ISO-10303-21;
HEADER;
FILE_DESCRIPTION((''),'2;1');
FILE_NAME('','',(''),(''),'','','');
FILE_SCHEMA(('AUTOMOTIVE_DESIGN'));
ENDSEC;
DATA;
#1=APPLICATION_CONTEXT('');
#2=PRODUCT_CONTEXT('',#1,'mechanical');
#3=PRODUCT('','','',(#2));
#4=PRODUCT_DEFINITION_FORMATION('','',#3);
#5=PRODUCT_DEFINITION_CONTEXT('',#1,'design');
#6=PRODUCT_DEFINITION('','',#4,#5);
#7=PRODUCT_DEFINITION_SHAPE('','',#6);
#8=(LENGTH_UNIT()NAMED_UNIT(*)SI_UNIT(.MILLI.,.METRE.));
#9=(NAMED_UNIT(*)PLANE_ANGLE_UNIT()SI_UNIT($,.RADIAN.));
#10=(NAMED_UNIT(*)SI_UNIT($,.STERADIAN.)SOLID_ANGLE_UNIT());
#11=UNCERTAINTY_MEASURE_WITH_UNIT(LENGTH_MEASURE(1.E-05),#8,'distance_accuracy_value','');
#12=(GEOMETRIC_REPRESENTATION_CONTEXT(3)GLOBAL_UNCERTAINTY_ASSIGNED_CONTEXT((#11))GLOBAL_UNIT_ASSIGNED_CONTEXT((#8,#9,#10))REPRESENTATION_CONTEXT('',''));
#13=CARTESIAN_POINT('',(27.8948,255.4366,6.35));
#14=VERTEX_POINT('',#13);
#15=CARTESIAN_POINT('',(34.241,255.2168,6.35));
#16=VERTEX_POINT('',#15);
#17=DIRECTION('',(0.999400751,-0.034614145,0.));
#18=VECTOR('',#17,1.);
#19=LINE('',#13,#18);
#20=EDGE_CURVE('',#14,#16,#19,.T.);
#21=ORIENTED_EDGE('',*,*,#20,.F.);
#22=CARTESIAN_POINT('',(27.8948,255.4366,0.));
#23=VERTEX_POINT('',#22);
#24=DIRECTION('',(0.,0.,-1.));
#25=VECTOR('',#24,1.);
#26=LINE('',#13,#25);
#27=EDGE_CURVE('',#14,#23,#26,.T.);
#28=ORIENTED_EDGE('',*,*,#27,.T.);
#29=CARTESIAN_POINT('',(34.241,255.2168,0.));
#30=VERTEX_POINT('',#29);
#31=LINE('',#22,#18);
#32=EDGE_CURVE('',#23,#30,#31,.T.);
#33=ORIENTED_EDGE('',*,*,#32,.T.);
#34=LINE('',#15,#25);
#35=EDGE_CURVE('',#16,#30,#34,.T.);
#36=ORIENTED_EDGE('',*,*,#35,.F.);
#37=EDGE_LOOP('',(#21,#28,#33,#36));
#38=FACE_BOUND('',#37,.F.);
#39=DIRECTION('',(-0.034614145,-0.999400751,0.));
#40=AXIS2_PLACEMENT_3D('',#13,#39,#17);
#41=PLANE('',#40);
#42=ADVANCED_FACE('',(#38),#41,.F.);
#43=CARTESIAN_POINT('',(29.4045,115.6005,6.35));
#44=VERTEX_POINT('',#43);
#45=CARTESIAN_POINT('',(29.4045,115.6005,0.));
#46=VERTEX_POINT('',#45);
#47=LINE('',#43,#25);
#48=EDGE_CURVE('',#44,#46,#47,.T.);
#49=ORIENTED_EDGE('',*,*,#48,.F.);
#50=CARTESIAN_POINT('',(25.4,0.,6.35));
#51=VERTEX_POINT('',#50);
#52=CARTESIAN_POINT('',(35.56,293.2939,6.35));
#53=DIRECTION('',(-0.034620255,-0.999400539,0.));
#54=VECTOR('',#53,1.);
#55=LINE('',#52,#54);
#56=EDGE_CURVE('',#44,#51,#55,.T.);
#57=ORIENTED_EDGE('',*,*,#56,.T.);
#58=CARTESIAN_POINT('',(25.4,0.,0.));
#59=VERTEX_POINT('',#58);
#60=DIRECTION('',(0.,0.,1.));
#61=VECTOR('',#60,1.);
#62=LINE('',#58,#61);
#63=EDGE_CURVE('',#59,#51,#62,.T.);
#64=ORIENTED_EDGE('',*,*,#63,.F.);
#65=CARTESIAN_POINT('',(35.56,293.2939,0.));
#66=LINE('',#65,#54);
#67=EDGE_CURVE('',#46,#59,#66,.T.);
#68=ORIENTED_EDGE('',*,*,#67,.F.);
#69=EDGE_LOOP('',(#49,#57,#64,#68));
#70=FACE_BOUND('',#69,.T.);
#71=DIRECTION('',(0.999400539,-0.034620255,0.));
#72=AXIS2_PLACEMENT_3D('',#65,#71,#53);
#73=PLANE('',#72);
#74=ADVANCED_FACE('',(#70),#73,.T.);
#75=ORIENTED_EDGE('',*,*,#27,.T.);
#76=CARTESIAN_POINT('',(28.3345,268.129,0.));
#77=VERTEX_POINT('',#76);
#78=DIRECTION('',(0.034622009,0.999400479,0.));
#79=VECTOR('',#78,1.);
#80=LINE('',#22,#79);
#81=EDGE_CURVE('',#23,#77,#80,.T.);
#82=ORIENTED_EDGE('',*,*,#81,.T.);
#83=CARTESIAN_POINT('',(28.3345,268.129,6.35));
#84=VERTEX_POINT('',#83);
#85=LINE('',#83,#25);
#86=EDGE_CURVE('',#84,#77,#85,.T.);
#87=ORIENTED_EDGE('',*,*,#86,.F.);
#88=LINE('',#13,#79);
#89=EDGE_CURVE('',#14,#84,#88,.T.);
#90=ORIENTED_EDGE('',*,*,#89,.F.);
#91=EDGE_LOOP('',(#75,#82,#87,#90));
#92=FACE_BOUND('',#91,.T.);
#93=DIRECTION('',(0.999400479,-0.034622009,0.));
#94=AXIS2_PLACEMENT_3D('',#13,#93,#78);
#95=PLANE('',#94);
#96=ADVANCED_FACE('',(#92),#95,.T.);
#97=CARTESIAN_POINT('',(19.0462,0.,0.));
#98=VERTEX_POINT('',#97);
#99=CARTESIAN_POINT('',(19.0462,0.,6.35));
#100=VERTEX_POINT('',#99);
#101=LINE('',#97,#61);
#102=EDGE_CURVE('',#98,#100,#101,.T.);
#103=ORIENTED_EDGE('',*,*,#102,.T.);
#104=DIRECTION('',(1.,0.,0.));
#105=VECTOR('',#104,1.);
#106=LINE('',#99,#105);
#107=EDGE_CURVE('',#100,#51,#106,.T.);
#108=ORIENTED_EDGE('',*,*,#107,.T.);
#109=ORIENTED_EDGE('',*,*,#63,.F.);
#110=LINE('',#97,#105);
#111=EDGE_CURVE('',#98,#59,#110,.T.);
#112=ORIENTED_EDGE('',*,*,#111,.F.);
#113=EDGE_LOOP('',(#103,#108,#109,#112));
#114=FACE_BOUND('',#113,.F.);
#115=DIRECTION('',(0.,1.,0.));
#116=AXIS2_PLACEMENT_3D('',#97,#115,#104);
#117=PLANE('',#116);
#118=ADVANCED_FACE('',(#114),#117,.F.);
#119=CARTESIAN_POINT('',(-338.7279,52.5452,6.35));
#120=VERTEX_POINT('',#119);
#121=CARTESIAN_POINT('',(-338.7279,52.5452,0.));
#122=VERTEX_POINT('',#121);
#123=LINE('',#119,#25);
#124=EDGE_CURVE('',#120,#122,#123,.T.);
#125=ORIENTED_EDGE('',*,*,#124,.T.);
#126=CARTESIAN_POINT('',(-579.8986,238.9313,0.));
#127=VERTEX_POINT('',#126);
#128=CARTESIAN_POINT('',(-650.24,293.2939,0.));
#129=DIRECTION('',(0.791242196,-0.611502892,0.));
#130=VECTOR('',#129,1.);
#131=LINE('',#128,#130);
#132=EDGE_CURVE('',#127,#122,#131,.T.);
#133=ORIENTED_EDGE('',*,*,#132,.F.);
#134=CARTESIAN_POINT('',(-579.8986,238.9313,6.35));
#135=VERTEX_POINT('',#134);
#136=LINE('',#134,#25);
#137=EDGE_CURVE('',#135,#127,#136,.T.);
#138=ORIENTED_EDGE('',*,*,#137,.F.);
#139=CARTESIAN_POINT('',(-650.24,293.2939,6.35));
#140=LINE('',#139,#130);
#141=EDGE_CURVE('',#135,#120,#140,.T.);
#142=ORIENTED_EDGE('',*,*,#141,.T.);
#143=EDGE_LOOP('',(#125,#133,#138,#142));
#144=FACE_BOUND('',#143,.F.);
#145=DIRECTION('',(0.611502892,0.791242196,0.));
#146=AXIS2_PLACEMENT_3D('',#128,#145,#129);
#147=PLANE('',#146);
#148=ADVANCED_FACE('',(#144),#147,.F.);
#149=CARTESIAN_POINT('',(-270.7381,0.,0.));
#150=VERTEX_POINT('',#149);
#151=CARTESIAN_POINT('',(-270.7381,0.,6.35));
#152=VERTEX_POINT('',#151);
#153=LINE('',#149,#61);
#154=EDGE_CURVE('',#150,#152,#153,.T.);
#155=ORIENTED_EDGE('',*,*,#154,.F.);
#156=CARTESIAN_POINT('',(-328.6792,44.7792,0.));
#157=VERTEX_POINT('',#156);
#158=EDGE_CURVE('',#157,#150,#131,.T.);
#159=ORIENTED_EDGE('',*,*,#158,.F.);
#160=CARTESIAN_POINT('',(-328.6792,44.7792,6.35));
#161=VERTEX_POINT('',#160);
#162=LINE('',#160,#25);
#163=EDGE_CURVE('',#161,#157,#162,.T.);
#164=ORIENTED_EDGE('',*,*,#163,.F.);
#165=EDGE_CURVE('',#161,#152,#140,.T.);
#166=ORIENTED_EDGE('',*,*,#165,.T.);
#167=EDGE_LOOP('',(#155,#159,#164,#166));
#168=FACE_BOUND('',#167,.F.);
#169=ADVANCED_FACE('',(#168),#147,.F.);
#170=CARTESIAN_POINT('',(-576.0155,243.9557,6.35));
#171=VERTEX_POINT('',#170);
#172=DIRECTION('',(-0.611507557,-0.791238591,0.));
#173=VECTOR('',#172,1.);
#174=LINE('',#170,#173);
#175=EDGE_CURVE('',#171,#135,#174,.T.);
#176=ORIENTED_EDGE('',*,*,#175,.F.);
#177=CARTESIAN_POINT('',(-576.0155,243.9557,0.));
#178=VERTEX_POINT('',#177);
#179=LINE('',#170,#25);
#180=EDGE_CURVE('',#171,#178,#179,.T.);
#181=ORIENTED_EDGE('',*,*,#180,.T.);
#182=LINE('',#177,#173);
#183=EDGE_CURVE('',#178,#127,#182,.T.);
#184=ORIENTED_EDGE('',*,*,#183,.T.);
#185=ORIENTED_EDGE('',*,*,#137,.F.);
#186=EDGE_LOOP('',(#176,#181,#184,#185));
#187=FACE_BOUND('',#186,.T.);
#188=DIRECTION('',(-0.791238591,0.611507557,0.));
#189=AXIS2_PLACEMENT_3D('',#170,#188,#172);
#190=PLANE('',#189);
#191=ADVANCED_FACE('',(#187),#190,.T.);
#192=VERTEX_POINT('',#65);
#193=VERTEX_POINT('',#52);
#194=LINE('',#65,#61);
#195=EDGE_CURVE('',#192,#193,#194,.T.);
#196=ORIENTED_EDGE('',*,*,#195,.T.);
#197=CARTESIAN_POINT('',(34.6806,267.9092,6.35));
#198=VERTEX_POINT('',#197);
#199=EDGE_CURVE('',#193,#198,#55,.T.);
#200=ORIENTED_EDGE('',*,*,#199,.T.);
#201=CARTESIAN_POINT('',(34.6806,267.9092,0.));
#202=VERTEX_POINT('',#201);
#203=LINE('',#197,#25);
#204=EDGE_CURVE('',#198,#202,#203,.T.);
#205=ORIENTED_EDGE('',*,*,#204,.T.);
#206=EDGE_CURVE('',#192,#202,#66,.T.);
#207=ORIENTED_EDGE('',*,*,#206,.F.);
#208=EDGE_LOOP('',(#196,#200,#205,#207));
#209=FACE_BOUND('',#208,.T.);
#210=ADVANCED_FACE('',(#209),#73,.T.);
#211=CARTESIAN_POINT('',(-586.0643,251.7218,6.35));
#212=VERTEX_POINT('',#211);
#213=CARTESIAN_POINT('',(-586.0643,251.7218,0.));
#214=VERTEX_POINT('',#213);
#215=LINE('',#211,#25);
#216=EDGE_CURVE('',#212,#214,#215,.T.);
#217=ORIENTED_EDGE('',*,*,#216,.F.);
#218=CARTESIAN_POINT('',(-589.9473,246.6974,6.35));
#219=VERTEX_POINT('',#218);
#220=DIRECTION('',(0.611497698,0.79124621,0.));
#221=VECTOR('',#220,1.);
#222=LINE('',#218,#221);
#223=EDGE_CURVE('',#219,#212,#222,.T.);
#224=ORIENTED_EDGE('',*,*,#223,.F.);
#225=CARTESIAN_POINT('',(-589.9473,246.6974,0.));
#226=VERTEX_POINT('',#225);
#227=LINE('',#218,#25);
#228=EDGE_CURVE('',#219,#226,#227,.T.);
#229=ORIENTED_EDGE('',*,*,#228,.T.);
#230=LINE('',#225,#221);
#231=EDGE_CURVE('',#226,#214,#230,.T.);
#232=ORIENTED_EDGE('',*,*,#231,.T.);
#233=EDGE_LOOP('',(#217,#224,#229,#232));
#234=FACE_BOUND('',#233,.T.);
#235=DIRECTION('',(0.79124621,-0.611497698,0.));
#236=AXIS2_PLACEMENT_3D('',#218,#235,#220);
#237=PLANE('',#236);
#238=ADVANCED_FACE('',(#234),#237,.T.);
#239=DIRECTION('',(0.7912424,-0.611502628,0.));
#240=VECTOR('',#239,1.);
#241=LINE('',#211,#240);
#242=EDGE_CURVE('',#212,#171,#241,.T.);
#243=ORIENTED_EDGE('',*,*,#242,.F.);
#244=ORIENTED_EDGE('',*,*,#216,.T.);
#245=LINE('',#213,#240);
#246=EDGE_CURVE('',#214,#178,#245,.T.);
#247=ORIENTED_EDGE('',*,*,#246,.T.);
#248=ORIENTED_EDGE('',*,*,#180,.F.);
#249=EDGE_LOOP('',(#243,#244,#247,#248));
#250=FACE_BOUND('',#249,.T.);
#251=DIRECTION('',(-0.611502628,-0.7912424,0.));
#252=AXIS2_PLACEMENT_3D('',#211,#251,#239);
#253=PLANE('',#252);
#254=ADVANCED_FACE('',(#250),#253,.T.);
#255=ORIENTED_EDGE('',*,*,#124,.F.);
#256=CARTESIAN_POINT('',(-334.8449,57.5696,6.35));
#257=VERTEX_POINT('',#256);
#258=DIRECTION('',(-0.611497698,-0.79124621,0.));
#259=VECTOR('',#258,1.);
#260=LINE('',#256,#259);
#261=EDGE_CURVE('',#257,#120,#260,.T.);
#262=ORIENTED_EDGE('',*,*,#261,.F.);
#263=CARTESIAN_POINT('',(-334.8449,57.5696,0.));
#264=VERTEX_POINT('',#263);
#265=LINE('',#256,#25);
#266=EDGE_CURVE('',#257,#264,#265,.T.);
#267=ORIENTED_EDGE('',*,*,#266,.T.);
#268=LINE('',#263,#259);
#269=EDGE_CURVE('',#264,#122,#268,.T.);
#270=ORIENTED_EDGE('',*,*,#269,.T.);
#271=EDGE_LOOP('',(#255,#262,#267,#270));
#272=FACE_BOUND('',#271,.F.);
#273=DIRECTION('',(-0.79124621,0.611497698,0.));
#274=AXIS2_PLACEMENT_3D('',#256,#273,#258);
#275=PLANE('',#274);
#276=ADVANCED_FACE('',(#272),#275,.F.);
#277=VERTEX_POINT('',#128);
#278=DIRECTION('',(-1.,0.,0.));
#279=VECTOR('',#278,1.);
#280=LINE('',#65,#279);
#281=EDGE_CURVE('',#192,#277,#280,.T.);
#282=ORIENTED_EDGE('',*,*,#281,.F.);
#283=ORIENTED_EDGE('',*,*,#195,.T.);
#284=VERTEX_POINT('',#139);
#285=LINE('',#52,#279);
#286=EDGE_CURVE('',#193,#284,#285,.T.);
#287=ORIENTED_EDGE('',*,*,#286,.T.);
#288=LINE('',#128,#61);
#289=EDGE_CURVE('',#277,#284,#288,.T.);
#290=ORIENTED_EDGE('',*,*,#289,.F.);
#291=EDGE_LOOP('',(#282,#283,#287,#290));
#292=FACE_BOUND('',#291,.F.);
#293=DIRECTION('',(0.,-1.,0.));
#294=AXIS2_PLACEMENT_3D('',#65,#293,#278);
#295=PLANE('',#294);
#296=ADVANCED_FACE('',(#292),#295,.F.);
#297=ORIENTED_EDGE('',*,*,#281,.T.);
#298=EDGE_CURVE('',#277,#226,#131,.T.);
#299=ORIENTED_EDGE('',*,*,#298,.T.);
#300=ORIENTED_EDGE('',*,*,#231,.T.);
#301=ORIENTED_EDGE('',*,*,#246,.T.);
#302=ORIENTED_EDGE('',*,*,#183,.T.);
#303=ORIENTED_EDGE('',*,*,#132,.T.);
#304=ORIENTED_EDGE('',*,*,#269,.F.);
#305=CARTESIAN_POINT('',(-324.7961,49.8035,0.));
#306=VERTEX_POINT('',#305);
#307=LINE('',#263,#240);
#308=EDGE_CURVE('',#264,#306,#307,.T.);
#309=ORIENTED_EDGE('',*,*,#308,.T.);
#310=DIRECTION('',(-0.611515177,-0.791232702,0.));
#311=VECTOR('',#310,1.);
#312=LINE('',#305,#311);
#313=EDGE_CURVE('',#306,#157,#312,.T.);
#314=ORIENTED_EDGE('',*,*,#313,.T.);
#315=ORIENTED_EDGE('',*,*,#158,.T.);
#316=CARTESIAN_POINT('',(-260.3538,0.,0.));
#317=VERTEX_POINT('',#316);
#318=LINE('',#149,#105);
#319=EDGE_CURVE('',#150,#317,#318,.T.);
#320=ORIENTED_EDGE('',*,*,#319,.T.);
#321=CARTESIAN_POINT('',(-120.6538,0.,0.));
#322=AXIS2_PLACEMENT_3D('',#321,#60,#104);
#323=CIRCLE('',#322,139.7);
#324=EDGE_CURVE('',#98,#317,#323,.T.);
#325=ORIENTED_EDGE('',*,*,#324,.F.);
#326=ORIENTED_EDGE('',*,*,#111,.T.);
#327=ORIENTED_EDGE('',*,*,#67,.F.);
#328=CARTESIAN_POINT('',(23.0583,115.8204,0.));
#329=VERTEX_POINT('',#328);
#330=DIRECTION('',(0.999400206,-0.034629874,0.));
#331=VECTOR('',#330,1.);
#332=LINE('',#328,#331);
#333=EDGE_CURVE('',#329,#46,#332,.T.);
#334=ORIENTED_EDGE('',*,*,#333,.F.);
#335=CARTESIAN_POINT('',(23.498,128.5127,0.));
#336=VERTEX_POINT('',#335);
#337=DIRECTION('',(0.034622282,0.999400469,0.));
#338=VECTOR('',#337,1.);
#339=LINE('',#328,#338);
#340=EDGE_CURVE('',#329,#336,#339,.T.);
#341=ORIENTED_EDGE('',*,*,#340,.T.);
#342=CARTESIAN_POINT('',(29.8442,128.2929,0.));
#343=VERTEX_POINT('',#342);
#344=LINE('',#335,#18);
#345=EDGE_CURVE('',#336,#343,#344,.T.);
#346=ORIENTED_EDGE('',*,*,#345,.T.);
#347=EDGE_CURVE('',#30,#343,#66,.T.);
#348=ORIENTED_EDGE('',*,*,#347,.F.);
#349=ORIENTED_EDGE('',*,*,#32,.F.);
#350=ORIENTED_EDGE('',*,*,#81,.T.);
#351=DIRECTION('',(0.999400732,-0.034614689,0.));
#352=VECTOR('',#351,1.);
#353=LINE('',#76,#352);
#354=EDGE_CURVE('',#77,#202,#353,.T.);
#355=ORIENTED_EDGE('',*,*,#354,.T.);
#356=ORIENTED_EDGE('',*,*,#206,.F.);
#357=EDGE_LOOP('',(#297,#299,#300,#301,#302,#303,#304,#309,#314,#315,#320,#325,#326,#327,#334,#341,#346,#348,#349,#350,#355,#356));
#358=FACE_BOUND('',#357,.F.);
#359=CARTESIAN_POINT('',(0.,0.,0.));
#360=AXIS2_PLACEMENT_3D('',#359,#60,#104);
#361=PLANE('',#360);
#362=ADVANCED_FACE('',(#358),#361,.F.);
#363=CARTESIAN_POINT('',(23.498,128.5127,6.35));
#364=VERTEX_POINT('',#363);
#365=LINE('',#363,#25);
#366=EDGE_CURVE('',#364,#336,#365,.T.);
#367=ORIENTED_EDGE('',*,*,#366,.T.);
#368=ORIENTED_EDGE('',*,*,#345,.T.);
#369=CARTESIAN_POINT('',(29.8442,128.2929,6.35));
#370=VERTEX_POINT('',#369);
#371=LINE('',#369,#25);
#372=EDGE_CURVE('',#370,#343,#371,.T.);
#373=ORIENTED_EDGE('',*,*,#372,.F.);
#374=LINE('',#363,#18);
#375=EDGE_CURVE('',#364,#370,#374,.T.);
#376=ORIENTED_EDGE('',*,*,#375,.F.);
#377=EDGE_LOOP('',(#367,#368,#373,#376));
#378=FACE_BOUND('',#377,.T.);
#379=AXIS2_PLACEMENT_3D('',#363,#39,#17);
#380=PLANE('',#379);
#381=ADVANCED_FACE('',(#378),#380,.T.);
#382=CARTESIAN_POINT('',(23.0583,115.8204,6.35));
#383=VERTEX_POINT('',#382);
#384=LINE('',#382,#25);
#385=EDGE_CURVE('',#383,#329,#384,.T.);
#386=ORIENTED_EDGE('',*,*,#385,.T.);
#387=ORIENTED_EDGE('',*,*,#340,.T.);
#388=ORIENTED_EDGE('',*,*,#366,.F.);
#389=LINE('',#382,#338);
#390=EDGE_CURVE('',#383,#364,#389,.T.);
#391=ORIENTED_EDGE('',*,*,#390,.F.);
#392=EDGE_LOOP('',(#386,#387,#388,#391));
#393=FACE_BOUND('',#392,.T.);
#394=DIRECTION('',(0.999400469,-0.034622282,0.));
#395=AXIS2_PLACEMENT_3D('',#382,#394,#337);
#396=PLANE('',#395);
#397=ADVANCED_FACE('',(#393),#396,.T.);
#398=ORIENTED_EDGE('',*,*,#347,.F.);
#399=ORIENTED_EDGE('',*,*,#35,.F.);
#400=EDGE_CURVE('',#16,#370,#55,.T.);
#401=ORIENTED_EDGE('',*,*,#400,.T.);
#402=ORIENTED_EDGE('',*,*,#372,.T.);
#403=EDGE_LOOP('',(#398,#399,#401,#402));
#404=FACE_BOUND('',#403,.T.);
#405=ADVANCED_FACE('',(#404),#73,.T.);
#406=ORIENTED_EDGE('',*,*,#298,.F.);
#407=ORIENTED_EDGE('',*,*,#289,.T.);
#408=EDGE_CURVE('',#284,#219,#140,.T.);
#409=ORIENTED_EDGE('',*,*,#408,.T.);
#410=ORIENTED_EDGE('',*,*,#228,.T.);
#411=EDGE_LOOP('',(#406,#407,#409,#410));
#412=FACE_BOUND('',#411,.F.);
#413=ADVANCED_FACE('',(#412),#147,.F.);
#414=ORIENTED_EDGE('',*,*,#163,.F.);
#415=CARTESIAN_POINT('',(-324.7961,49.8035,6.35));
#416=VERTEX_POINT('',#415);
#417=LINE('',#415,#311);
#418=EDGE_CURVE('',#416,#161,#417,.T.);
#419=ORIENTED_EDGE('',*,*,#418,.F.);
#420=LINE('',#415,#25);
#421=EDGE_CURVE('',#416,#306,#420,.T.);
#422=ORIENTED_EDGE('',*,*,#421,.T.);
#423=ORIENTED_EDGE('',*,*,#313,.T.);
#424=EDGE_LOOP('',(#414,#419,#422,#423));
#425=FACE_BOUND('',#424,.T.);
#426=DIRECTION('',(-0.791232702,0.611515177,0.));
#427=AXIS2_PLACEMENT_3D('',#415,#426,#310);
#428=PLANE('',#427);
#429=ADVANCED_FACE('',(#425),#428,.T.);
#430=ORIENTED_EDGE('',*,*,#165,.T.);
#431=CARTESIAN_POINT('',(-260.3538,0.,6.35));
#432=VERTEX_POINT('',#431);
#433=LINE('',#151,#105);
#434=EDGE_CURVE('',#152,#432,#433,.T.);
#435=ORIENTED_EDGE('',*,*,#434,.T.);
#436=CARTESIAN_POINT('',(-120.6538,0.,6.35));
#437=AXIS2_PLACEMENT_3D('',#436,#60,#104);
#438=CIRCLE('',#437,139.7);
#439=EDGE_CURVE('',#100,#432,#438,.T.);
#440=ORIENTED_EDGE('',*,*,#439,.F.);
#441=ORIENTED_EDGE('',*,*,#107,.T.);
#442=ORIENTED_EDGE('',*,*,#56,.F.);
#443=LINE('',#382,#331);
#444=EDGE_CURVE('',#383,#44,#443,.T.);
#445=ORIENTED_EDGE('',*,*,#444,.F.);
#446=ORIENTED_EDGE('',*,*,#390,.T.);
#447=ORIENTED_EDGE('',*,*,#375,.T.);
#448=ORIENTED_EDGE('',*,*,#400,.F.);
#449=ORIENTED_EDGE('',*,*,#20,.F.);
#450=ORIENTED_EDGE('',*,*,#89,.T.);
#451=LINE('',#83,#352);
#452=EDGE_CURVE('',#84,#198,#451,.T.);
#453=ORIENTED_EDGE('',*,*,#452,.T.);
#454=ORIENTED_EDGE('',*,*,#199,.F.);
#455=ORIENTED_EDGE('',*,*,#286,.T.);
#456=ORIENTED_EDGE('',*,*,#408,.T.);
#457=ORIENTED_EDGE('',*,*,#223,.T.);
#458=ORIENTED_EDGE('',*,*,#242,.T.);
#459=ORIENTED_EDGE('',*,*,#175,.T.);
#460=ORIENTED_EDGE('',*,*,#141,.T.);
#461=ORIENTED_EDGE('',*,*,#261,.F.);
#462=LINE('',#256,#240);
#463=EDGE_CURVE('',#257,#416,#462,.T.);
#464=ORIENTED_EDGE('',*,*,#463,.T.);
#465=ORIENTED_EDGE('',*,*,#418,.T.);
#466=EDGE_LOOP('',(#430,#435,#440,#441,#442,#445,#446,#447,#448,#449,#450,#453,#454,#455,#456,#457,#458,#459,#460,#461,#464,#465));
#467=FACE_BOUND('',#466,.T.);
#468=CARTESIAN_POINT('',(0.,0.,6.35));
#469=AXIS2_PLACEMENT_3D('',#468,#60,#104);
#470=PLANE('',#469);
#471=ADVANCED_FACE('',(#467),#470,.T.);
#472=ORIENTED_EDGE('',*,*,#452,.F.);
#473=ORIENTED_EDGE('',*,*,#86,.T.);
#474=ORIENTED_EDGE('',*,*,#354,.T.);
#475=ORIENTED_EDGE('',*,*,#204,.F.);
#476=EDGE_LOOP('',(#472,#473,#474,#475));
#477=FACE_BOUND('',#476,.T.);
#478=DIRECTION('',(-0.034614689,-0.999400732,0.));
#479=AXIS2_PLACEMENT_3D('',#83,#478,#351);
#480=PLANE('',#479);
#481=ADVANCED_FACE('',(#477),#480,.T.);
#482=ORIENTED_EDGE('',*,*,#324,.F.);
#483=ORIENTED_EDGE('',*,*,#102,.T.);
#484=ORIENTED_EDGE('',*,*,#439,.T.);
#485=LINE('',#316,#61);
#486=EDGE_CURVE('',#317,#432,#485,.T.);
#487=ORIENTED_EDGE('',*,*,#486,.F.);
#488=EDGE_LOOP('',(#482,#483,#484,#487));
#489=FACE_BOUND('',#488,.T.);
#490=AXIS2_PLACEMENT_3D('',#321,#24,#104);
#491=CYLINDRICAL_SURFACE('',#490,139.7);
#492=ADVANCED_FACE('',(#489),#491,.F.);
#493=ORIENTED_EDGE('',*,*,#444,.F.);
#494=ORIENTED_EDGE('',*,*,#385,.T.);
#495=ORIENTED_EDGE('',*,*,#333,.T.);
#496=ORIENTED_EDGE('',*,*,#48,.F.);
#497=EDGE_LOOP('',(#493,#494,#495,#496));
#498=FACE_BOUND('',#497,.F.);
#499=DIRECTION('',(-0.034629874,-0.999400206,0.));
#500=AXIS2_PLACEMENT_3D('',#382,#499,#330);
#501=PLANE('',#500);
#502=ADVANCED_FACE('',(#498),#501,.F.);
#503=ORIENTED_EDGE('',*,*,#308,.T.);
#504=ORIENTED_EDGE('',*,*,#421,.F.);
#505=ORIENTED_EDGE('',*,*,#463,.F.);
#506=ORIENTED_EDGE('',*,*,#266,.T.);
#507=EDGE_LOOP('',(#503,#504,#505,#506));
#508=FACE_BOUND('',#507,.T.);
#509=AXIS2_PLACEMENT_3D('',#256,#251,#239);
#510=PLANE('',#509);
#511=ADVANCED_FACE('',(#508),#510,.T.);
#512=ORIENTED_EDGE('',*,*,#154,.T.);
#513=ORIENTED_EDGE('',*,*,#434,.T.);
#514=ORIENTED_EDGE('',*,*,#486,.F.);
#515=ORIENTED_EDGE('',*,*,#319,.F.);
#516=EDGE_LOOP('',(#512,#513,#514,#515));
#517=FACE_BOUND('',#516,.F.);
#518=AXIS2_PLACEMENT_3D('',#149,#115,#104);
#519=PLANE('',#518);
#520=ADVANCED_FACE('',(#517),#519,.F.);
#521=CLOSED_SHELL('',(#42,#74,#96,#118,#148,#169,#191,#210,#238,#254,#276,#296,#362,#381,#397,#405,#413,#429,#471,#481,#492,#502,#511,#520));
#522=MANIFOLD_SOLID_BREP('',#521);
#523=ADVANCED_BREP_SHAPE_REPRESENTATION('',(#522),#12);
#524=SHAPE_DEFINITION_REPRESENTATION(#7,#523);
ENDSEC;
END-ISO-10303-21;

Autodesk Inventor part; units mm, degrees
ref_plane "YZ Plane" through (0, 0, 0) normal (1, 0, 0) x (0, 1, 0)
ref_plane "XZ Plane" through (0, 0, 0) normal (0, 1, 0) x (-1, 0, 0)
ref_plane "XY Plane" through (0, 0, 0) normal (0, 0, 1) x (1, 0, 0)
sketch "Sketch1" plane through (0, 0, 0) normal (0, 0, 1) x (1, 0, 0)
  line L0 (35.56, 293.2939) -> (25.4, 0)
  line L1 (35.56, 293.2939) -> (-650.24, 293.2939)
  line L2 (-650.24, 293.2939) -> (-270.7381, 0)
  arc A0 (19.0462, 0) -> (-260.3538, 0) centre (-120.6538, 0) ccw
  line L3 (-270.7381, 0) -> (-260.3538, 0)
  line L4 (19.0462, 0) -> (25.4, 0)
  point P0 (0, 0)
  dimension "d2" = 293.2939
  dimension "d3" = 35.56
  dimension "d4" = 25.4
  dimension "d5" = 685.8
  dimension "d8" = 279.4
  dimension "d11" = 6.35
  dimension "d12" = 6.35
extrude "Extrusion1" add sketch "Sketch1" along normal blind 6.35
sketch "Sketch2" plane through (0, 0, 6.35) normal (0, 0, 1) x (1, 0, 0)
  line L0 (25.4, 0) -> (35.56, 293.2939) projected
  line L1 (28.3345, 268.129) -> (34.6806, 267.9092)
  line L2 (27.8948, 255.4366) -> (34.241, 255.2168)
  line L3 (23.498, 128.5127) -> (29.8442, 128.2929)
  line L4 (23.0583, 115.8204) -> (29.4045, 115.6005)
  line L5 (23.0583, 115.8204) -> (23.498, 128.5127)
  line L6 (27.8948, 255.4366) -> (28.3345, 268.129)
  point P0 (0, 0)
  dimension "d21" = 12.7
  dimension "d23" = 12.7
  dimension "d24" = 25.4
  dimension "d25" = 127
extrude "Extrusion2" cut sketch "Sketch2" against normal blind 6.35
sketch "Sketch3" plane through (0, 0, 6.35) normal (0, 0, 1) x (1, 0, 0)
  line L0 (-650.24, 293.2939) -> (-270.7381, 0) projected
  line L1 (-589.9473, 246.6974) -> (-586.0643, 251.7218)
  line L2 (-576.0155, 243.9557) -> (-579.8986, 238.9313)
  line L3 (-334.8449, 57.5696) -> (-338.7279, 52.5452)
  line L4 (-324.7961, 49.8035) -> (-328.6792, 44.7792)
  line L5 (-586.0643, 251.7218) -> (-576.0155, 243.9557)
  line L6 (-334.8449, 57.5696) -> (-324.7961, 49.8035)
  point P0 (0, 0)
  dimension "d28" = 6.35
  dimension "d29" = 12.7
  dimension "d30" = 12.7
  dimension "d31" = 76.2
  dimension "d32" = 304.8
extrude "Extrusion3" cut sketch "Sketch3" against normal blind 6.35
properties part number "Funneling2" material "Polycarbonate, Clear"
